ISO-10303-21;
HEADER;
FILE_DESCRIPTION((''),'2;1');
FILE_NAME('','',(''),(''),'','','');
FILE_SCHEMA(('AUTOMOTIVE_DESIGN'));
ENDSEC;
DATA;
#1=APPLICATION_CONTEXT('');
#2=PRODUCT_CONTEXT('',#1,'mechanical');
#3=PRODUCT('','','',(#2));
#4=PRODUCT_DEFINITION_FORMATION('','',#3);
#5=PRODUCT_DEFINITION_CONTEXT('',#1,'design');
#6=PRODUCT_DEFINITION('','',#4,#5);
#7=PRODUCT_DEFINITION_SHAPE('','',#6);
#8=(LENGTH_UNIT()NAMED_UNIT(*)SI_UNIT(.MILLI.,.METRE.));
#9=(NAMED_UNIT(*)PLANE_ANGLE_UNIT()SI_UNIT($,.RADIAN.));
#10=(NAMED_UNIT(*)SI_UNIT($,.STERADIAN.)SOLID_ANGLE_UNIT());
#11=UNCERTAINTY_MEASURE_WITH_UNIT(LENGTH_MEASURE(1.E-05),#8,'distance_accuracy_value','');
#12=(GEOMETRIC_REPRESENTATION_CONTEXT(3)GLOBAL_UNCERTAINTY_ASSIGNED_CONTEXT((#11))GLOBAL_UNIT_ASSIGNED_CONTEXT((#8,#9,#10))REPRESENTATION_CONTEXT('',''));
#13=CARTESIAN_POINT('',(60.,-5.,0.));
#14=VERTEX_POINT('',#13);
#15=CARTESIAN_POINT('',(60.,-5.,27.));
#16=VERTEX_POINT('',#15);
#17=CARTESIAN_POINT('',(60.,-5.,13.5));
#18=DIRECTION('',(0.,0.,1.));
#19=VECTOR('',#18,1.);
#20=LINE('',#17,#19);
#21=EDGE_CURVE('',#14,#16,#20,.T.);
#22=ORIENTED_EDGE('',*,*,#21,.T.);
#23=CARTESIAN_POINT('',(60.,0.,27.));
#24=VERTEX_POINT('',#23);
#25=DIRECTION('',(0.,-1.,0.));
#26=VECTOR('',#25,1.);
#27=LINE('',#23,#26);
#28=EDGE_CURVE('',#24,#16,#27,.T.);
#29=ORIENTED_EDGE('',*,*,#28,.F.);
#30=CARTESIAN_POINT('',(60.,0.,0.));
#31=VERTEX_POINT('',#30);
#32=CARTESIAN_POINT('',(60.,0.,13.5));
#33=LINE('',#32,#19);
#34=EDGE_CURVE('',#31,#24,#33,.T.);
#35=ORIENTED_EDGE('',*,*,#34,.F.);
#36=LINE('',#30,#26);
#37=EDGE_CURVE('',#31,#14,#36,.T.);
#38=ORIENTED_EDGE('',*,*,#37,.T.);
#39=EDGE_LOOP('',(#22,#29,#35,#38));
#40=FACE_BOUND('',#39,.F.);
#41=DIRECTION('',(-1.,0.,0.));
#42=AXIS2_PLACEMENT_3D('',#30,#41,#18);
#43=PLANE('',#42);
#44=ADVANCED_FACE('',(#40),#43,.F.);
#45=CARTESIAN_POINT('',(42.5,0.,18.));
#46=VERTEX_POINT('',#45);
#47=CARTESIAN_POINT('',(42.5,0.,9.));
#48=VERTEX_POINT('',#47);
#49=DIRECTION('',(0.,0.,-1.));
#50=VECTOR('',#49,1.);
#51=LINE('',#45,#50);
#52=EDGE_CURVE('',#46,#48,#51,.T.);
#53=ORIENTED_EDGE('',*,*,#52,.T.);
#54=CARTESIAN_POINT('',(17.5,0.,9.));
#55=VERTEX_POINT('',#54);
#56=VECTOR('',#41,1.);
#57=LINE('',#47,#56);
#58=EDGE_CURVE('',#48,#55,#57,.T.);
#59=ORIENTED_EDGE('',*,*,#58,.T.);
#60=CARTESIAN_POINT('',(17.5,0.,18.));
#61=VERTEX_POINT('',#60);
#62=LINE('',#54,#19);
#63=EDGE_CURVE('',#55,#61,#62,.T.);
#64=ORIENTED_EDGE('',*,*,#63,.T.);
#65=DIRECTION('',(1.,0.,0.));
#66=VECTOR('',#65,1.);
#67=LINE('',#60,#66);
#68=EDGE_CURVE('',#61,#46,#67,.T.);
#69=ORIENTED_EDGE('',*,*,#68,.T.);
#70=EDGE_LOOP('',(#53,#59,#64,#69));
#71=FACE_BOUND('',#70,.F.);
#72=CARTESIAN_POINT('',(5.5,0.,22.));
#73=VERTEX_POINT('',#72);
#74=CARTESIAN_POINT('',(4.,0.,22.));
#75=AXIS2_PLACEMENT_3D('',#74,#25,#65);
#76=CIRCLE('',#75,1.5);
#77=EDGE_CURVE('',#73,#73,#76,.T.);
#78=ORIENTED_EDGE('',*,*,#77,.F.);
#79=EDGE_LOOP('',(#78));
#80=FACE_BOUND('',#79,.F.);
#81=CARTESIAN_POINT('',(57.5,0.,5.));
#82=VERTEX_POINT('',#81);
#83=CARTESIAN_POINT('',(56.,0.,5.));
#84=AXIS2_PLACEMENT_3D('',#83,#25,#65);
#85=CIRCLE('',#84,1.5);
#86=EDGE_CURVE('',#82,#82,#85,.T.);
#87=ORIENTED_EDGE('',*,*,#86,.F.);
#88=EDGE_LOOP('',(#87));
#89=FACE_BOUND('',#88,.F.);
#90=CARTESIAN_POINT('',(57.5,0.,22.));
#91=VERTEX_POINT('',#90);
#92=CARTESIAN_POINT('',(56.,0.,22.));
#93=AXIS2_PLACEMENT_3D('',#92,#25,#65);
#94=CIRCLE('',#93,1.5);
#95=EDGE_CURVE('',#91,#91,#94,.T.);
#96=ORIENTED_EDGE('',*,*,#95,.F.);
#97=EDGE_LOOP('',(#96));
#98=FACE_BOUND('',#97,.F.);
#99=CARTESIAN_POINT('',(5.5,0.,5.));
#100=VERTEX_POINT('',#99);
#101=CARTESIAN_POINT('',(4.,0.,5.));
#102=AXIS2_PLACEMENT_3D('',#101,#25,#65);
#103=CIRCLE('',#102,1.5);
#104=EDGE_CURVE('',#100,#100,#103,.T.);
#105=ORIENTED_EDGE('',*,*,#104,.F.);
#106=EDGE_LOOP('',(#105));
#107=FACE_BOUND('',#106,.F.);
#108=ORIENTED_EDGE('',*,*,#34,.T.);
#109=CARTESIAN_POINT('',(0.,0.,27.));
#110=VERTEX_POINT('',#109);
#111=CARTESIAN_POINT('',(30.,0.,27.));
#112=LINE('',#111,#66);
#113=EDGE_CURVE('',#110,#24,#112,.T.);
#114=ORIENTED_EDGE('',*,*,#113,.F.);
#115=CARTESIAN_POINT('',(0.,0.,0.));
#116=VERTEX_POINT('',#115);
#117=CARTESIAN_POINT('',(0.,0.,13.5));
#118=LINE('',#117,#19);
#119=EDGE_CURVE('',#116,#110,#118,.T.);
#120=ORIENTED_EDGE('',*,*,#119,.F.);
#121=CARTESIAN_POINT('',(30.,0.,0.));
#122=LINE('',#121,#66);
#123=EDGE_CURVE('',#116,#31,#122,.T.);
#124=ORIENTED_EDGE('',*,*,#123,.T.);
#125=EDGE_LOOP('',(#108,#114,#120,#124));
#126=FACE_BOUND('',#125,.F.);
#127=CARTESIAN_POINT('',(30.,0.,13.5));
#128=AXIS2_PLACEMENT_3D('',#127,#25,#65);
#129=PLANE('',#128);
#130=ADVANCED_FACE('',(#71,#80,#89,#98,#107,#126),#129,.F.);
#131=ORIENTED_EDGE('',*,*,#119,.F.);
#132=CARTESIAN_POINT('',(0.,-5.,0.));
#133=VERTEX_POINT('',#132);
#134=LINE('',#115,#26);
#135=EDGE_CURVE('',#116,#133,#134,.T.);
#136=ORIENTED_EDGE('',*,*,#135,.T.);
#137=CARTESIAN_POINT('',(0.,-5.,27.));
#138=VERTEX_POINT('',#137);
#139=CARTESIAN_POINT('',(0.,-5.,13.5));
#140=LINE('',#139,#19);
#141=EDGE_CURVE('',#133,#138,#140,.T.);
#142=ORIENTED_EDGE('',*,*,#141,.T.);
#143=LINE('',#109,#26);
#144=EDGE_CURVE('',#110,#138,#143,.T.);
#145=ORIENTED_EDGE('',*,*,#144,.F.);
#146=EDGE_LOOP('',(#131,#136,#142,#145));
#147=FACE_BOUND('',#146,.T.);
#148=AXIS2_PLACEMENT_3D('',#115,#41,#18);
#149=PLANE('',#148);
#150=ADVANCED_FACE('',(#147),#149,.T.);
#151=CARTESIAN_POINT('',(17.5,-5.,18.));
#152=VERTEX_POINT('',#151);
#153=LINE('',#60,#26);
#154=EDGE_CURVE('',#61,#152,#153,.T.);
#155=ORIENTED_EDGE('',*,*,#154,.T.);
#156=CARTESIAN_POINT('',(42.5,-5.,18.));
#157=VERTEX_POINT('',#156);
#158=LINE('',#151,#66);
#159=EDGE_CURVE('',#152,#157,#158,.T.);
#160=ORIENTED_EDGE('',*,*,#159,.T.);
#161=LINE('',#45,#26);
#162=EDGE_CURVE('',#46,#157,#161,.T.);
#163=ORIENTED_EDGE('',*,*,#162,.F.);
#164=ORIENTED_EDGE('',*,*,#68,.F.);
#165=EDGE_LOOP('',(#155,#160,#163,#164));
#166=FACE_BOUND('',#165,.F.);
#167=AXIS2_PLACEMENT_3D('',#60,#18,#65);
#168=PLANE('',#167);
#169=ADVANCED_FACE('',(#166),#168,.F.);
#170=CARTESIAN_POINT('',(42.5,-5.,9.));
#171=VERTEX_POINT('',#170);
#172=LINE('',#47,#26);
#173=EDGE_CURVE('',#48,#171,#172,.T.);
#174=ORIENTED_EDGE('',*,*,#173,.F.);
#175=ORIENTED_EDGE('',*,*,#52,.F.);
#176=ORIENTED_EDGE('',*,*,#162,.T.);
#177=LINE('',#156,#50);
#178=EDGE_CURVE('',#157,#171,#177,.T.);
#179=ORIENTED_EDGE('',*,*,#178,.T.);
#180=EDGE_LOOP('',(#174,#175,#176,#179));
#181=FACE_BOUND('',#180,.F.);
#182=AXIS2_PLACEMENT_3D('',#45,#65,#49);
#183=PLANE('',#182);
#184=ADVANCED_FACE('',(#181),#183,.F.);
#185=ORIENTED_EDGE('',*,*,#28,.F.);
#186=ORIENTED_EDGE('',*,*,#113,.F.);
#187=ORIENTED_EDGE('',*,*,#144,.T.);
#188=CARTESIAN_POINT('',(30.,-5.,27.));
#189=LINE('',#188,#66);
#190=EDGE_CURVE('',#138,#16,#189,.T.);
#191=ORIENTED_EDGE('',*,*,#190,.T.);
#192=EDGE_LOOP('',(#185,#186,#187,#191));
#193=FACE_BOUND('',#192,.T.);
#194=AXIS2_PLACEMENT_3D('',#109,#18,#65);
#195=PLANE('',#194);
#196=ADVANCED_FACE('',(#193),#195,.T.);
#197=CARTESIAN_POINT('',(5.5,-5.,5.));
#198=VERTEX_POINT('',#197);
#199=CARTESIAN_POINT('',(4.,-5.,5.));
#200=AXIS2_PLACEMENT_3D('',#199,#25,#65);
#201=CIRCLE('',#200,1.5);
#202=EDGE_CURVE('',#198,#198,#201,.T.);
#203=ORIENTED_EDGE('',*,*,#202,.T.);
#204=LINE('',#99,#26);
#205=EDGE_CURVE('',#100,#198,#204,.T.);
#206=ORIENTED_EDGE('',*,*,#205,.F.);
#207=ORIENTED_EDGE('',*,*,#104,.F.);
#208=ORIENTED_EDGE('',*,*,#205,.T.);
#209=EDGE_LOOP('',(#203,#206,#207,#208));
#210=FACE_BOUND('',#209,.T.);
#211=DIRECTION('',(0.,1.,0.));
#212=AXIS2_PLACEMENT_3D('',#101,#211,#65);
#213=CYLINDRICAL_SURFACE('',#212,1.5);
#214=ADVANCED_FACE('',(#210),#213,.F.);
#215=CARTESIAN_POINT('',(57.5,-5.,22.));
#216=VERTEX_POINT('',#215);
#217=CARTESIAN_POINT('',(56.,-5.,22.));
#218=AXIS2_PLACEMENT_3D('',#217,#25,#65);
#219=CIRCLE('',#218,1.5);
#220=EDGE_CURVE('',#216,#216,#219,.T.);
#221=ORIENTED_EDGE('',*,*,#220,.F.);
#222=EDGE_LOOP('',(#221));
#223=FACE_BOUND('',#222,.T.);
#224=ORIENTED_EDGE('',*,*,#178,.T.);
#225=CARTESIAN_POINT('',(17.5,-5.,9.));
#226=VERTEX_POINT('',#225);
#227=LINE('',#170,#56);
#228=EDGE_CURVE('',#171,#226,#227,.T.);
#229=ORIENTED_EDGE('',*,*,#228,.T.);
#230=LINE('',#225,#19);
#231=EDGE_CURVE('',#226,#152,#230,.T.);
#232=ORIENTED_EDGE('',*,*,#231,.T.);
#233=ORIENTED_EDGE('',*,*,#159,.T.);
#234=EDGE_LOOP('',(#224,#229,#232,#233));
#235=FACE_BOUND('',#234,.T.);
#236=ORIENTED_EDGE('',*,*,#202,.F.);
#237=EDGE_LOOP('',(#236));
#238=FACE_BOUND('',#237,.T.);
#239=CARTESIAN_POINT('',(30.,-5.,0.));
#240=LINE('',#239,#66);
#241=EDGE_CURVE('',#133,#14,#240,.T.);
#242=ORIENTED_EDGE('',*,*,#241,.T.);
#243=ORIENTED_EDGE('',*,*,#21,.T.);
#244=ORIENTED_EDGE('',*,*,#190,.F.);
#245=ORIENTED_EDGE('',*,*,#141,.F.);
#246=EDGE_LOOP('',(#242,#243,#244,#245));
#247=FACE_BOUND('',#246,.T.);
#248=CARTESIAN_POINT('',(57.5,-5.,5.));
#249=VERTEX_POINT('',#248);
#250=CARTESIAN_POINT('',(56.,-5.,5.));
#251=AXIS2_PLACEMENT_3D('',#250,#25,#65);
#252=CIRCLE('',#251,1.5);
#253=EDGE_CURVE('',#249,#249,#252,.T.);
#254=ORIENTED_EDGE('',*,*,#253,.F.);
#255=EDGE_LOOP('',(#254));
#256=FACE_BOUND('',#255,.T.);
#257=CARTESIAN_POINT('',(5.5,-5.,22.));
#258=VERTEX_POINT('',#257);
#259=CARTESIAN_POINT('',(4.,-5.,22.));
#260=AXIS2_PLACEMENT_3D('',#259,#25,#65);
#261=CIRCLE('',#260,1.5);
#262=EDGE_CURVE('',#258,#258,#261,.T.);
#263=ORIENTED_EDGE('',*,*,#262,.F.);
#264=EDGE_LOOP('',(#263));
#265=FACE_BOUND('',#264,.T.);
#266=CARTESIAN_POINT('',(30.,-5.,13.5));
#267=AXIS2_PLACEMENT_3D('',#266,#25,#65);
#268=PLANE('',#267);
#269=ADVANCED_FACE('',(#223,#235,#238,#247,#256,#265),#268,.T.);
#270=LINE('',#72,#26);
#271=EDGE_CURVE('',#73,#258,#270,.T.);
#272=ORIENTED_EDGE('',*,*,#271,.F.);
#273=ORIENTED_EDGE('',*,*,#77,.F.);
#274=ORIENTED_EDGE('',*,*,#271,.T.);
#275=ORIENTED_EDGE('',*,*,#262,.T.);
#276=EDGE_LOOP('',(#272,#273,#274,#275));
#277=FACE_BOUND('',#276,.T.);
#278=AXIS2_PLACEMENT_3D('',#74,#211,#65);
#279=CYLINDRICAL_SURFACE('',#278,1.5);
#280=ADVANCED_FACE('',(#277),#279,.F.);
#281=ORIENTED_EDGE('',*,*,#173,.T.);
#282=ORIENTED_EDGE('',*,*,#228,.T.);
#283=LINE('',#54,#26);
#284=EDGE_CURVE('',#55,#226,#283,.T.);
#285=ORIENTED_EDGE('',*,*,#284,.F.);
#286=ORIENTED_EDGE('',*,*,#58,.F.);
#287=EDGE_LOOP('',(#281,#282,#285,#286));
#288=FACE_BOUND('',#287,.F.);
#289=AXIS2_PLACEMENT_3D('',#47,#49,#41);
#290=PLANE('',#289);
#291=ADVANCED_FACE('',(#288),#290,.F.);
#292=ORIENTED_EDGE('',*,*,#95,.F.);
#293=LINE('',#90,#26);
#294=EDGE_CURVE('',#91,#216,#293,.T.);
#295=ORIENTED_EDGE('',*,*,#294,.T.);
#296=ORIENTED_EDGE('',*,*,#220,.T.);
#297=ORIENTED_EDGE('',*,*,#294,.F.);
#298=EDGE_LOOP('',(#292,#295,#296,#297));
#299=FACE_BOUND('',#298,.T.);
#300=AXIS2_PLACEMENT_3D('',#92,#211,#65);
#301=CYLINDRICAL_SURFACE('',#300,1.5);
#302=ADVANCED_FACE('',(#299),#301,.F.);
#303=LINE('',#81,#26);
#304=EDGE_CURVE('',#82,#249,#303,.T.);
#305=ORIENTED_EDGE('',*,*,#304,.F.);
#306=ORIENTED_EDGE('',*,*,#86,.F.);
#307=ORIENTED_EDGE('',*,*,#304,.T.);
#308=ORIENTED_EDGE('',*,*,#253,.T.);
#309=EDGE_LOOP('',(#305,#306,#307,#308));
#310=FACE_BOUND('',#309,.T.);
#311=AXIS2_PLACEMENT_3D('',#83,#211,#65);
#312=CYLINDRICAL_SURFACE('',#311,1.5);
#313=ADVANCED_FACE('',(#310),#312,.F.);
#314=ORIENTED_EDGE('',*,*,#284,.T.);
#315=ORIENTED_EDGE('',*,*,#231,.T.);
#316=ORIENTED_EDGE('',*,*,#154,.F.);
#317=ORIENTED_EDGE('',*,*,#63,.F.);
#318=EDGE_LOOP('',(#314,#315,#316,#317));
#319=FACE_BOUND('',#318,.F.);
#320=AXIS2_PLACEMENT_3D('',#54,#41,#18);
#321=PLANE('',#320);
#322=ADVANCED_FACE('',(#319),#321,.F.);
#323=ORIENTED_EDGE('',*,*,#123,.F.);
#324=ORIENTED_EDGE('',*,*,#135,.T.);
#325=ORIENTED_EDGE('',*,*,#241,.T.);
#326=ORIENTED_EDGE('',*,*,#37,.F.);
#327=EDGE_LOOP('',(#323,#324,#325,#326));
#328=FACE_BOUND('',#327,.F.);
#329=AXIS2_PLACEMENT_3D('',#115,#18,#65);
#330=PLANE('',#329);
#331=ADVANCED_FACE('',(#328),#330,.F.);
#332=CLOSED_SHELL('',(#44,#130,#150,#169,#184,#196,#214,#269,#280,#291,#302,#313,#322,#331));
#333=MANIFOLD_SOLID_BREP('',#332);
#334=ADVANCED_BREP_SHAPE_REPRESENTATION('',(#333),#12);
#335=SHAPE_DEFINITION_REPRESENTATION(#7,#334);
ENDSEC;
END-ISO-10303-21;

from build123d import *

# Parameters (mm, degrees)
F0_W     = 60
F0_H     = 27
F0_R     = 1.5
F1_DEPTH = 5


with BuildPart() as f1:
    # F0 (on Front) → F1 (new body)
    with BuildSketch(Plane.XZ):
        with Locations((30, 13.5)):
            Rectangle(F0_W, F0_H)
        with Locations((4, 5)):
            Circle(F0_R, mode=Mode.SUBTRACT)
        with Locations((56, 5)):
            Circle(F0_R, mode=Mode.SUBTRACT)
        with Locations((4, 22)):
            Circle(F0_R, mode=Mode.SUBTRACT)
        Polygon((17.5, 18), (30, 18), (42.5, 18), (42.5, 13.5), (42.5, 9), (30, 9), (17.5, 9), (17.5, 13.5), align=None, mode=Mode.SUBTRACT)
        with Locations((56, 22)):
            Circle(F0_R, mode=Mode.SUBTRACT)
    extrude(amount=F1_DEPTH)


solid = f1.part
